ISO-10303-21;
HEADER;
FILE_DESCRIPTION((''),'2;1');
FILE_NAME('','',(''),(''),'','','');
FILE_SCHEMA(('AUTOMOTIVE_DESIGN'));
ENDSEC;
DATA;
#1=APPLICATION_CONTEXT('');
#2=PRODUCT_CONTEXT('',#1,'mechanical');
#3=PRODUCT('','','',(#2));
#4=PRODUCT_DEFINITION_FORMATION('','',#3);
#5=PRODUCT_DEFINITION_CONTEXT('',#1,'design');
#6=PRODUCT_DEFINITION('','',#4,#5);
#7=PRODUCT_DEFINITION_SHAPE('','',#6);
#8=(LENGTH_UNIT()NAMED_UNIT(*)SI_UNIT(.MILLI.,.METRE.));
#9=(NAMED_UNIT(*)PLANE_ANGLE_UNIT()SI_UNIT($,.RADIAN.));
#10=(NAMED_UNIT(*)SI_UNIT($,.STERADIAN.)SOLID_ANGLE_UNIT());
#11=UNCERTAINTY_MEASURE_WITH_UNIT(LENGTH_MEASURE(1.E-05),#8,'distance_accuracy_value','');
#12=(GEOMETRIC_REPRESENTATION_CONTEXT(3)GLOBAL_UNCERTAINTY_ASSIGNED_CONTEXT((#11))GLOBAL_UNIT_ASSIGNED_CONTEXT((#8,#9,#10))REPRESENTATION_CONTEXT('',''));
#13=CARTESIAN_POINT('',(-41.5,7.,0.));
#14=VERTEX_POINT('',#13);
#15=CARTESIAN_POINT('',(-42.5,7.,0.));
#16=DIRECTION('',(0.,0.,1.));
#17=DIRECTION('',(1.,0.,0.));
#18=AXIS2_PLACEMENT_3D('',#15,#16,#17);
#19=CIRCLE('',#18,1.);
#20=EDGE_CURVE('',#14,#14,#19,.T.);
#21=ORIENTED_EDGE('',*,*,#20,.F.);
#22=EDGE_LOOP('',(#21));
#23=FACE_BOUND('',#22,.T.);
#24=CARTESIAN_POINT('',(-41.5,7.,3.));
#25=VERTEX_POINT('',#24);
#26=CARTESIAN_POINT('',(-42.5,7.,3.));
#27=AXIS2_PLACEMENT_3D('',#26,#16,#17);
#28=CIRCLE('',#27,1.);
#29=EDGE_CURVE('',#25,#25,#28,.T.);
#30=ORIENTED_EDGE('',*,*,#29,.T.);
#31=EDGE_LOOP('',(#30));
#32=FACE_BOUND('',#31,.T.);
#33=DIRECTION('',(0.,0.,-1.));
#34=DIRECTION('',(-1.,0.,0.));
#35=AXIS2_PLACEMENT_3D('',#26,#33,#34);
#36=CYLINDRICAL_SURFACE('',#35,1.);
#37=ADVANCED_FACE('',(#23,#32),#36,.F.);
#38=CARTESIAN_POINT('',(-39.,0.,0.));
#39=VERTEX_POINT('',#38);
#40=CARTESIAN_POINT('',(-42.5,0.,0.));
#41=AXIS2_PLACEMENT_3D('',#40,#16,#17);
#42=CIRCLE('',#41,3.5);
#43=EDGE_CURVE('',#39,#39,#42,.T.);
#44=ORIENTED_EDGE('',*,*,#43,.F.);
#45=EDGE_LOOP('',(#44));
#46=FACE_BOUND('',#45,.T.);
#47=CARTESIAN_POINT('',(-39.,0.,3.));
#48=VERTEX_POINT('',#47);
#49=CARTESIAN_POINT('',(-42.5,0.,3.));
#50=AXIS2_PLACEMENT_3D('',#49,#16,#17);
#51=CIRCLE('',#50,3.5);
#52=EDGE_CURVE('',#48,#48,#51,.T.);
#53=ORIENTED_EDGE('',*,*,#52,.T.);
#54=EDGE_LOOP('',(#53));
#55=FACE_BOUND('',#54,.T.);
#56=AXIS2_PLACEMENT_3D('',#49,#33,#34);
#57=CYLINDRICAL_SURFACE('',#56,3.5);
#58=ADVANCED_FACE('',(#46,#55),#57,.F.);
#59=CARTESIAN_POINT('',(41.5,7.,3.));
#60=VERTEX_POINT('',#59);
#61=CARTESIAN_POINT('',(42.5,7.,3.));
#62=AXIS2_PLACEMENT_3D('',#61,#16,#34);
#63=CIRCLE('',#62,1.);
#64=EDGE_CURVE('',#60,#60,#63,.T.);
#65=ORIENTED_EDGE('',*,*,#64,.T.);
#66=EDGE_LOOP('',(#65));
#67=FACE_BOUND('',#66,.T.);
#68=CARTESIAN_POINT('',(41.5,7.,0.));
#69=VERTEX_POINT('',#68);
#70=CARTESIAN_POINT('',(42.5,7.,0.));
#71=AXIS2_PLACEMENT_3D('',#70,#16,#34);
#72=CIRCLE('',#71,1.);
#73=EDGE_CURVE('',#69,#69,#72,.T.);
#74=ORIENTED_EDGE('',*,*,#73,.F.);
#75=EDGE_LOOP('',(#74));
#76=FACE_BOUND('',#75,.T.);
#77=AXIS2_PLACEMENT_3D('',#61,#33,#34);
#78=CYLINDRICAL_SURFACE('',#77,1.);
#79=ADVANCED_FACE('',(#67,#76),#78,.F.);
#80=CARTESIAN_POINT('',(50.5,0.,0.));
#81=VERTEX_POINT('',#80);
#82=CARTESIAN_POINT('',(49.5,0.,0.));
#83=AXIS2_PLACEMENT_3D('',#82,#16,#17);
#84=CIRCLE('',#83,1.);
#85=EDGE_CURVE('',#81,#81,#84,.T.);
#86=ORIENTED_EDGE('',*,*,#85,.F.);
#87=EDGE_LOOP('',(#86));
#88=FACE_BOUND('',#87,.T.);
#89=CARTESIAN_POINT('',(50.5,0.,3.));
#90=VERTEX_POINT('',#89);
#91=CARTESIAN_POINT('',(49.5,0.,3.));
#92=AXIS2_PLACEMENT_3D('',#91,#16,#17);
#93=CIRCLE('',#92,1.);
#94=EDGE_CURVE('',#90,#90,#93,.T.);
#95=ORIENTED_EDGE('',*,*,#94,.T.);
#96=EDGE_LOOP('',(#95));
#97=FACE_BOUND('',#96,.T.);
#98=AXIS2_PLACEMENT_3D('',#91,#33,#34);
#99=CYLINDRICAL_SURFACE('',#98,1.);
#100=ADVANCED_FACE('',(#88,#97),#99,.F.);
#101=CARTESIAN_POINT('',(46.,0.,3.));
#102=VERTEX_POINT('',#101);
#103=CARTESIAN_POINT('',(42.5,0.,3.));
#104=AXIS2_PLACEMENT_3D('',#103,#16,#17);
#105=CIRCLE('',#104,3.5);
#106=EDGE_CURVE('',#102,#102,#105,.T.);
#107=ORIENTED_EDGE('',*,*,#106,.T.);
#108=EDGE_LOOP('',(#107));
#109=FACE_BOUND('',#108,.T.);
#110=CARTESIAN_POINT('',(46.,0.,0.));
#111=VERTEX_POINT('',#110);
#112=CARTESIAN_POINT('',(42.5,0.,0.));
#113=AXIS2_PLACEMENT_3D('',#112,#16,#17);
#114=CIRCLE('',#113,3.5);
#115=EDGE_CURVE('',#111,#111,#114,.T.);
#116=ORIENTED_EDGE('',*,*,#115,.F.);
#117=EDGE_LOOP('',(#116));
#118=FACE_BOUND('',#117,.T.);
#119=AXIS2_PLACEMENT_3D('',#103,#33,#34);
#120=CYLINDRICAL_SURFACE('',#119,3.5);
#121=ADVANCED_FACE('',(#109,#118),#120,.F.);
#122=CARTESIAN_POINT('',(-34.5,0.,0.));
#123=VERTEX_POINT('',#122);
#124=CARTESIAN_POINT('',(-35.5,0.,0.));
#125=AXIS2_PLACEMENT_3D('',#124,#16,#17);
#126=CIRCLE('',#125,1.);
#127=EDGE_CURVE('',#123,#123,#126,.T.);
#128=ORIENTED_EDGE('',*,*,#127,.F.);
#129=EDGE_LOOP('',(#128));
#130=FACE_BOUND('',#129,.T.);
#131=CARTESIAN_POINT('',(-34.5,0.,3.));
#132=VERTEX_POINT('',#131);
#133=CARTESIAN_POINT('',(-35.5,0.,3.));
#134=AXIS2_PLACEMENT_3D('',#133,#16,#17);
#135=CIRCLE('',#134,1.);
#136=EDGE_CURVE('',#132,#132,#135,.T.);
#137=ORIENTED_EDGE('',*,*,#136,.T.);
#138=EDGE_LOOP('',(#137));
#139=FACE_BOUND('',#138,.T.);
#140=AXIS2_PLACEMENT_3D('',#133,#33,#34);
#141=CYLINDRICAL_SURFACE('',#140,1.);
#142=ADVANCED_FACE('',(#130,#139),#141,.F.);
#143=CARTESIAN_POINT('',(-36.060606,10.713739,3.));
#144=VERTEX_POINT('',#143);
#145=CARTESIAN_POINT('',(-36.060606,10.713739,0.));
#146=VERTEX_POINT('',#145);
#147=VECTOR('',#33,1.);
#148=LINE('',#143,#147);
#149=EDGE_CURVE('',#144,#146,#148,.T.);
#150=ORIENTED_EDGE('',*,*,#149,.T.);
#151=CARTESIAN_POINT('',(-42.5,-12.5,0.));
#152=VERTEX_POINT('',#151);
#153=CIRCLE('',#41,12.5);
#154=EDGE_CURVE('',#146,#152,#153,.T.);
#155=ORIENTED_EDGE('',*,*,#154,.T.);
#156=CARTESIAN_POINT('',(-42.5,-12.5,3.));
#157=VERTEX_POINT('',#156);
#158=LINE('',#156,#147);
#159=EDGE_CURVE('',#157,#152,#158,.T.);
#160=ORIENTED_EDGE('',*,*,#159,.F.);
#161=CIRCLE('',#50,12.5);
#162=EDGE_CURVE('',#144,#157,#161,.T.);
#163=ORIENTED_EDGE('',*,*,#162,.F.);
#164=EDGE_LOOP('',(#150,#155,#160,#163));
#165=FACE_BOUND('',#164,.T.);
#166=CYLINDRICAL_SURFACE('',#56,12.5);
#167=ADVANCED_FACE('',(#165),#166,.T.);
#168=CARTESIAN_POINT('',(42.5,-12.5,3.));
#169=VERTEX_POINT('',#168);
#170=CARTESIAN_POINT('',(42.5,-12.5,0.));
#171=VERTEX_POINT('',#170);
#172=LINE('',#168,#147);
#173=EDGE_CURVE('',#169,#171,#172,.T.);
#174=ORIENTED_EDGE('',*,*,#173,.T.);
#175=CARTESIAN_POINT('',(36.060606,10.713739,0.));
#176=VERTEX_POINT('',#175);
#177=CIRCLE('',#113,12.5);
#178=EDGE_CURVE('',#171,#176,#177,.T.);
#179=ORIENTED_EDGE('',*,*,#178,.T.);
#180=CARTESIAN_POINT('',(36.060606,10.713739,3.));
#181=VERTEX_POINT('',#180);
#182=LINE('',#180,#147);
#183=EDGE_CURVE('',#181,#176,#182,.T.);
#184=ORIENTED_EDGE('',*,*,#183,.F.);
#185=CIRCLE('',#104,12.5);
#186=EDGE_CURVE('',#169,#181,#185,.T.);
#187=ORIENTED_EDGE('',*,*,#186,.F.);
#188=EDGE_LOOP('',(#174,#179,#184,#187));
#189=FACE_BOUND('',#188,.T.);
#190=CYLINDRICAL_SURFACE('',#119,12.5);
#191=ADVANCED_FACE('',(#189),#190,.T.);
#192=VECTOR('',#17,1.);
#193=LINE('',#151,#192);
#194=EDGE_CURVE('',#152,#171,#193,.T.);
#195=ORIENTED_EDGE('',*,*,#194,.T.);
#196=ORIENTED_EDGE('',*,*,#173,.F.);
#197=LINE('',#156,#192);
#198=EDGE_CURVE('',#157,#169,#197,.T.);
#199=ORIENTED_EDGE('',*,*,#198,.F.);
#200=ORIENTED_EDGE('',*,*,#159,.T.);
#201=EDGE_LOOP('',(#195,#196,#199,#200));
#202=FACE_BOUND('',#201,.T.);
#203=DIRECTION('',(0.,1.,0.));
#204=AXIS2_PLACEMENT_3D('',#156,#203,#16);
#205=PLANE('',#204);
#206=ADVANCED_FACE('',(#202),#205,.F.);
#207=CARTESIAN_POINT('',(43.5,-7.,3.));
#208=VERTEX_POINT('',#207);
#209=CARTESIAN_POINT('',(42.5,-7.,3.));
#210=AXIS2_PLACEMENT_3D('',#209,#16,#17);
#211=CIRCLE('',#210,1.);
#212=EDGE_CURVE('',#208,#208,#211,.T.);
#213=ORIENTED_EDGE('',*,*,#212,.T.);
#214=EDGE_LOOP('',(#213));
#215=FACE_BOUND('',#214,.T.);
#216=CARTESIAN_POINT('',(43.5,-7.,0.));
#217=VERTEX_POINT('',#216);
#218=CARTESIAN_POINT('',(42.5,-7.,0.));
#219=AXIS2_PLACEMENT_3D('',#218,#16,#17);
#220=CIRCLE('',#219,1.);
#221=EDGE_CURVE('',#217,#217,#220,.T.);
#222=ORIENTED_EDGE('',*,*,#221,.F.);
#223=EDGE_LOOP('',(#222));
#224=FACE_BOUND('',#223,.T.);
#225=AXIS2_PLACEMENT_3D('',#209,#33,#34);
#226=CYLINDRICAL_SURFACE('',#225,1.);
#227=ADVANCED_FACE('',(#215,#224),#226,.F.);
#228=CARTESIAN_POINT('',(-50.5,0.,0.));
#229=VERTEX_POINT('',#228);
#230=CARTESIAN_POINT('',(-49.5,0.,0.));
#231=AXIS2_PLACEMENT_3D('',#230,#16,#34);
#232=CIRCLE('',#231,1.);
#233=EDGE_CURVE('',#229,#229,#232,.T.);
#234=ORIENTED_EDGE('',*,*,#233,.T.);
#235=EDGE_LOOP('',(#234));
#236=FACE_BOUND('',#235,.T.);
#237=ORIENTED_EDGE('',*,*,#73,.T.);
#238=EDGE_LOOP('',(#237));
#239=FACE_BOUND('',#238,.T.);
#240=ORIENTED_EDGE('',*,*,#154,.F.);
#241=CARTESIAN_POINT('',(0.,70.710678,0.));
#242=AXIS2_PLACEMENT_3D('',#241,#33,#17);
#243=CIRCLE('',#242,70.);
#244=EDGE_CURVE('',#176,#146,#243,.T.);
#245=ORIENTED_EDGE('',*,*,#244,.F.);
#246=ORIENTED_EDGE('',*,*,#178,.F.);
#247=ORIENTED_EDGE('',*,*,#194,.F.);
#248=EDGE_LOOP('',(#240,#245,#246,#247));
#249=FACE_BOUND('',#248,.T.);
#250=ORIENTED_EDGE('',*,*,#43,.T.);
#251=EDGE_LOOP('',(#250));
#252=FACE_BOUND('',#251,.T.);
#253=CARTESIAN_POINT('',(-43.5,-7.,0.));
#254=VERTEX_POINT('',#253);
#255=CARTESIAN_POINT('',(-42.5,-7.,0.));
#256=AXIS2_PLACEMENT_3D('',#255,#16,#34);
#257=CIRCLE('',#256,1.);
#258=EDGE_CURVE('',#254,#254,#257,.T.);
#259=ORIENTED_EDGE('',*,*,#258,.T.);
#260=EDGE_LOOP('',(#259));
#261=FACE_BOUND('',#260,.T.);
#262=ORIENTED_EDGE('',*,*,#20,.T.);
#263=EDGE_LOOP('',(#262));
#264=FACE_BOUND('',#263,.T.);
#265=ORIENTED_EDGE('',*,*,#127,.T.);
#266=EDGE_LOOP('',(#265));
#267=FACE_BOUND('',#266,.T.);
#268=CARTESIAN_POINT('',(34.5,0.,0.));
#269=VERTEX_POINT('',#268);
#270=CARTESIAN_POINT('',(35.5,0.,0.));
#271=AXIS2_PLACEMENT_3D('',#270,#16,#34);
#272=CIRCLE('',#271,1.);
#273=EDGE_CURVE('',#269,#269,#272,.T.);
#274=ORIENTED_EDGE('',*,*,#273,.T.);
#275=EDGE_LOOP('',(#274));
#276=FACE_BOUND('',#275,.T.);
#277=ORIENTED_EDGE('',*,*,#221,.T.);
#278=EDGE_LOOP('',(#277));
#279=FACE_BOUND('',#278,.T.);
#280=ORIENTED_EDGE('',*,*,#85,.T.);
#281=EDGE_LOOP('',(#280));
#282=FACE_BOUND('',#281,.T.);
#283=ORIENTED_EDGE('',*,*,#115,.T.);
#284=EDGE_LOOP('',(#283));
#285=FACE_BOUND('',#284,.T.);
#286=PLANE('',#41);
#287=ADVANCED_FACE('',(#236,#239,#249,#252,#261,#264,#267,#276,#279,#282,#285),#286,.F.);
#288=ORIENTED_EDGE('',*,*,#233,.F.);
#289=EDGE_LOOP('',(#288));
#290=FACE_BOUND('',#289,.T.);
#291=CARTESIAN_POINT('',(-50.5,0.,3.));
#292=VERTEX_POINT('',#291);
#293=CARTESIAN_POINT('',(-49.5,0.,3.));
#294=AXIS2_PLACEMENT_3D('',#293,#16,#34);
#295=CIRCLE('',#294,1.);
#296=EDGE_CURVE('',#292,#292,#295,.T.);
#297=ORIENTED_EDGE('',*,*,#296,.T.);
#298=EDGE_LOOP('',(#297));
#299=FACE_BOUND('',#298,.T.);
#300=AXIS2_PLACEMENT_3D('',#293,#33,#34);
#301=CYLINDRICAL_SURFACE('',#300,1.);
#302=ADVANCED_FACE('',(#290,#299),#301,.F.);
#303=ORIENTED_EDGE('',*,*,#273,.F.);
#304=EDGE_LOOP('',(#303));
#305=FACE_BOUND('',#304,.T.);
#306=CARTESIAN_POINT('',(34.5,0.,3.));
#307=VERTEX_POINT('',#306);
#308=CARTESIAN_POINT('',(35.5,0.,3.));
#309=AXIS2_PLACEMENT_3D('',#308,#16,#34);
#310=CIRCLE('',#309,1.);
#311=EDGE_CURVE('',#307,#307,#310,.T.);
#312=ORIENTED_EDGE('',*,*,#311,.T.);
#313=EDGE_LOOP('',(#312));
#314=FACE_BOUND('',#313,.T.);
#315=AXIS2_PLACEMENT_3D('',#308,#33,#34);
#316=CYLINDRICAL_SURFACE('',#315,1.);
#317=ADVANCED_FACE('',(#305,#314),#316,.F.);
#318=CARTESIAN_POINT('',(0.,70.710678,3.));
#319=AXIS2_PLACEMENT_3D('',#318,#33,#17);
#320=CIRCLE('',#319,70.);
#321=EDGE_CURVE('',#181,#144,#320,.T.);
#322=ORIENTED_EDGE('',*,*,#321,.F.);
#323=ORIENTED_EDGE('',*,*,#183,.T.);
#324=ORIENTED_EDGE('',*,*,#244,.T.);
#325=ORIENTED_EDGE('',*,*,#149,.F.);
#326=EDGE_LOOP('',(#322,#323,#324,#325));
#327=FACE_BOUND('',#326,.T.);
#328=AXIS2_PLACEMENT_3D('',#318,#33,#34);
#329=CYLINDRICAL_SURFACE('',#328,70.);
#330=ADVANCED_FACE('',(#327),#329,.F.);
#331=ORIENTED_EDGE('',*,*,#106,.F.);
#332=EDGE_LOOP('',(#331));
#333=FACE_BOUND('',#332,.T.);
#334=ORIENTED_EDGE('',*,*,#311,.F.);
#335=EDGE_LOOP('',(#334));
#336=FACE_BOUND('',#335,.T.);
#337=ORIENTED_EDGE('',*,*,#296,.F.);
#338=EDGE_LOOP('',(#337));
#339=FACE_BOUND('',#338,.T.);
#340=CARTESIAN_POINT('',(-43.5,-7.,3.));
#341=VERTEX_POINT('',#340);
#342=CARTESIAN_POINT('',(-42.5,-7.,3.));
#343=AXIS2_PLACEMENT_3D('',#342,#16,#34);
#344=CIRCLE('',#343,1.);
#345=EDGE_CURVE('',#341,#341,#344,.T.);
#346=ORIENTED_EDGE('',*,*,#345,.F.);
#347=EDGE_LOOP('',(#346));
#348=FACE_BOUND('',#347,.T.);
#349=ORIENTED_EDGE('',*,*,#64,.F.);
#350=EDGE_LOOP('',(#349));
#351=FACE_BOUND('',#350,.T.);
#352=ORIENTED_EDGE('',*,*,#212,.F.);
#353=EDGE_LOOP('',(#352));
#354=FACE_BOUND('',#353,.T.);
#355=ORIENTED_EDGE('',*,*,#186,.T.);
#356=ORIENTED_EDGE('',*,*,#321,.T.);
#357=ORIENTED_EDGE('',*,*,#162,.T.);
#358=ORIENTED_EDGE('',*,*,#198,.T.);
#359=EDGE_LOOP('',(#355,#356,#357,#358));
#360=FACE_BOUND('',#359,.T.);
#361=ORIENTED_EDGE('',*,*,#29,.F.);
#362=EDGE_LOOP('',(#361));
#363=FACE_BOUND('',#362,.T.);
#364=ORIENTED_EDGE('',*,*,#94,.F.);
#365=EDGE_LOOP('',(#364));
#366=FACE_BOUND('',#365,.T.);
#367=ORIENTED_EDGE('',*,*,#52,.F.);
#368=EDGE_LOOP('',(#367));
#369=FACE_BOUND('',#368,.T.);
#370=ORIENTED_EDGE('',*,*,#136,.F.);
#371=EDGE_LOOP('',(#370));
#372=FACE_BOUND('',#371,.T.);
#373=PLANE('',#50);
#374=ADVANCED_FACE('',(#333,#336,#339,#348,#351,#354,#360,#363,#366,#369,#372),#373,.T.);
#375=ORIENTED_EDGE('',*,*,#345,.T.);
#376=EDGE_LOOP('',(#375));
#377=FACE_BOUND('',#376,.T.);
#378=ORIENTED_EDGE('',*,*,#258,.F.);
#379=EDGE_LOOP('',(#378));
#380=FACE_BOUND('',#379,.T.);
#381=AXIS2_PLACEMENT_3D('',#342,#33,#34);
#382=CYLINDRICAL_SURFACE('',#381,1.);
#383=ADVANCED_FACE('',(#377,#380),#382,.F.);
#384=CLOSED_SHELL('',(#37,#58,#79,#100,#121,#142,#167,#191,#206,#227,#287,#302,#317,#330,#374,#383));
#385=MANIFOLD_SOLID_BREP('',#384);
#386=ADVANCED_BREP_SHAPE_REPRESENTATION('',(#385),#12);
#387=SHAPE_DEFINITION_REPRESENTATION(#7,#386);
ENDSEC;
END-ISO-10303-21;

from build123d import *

# Parameters (mm, degrees)
SKETCH1_R           = 3.5
SKETCH1_R_2         = 1
BOSS_EXTRUDE1_DEPTH = 3


with BuildPart() as part:
    # Sketch1 → Boss-Extrude1 (new body)
    with BuildSketch(Plane.XY):
        with BuildLine():
            Line((-42.5, -12.5), (42.5, -12.5))
            ThreePointArc((42.5, -12.5), (54.545159585, 3.341276787), (36.060606061, 10.713739109))
            ThreePointArc((36.060606061, 10.713739109), (0, 0.710678119), (-36.060606061, 10.713739109))
            ThreePointArc((-36.060606061, 10.713739109), (-54.545159585, 3.341276787), (-42.5, -12.5))
        make_face()
        with Locations((-42.5, 0)):
            Circle(SKETCH1_R, mode=Mode.SUBTRACT)
        with Locations((42.5, 0)):
            Circle(SKETCH1_R, mode=Mode.SUBTRACT)
        with Locations((-42.5, 7)):
            Circle(SKETCH1_R_2, mode=Mode.SUBTRACT)
        with Locations((-35.5, 0)):
            Circle(SKETCH1_R_2, mode=Mode.SUBTRACT)
        with Locations((-42.5, -7)):
            Circle(SKETCH1_R_2, mode=Mode.SUBTRACT)
        with Locations((-49.5, 0)):
            Circle(SKETCH1_R_2, mode=Mode.SUBTRACT)
        with Locations((42.5, 7)):
            Circle(SKETCH1_R_2, mode=Mode.SUBTRACT)
        with Locations((35.5, 0)):
            Circle(SKETCH1_R_2, mode=Mode.SUBTRACT)
        with Locations((42.5, -7)):
            Circle(SKETCH1_R_2, mode=Mode.SUBTRACT)
        with Locations((49.5, 0)):
            Circle(SKETCH1_R_2, mode=Mode.SUBTRACT)
    extrude(amount=BOSS_EXTRUDE1_DEPTH)


solid = part.part
